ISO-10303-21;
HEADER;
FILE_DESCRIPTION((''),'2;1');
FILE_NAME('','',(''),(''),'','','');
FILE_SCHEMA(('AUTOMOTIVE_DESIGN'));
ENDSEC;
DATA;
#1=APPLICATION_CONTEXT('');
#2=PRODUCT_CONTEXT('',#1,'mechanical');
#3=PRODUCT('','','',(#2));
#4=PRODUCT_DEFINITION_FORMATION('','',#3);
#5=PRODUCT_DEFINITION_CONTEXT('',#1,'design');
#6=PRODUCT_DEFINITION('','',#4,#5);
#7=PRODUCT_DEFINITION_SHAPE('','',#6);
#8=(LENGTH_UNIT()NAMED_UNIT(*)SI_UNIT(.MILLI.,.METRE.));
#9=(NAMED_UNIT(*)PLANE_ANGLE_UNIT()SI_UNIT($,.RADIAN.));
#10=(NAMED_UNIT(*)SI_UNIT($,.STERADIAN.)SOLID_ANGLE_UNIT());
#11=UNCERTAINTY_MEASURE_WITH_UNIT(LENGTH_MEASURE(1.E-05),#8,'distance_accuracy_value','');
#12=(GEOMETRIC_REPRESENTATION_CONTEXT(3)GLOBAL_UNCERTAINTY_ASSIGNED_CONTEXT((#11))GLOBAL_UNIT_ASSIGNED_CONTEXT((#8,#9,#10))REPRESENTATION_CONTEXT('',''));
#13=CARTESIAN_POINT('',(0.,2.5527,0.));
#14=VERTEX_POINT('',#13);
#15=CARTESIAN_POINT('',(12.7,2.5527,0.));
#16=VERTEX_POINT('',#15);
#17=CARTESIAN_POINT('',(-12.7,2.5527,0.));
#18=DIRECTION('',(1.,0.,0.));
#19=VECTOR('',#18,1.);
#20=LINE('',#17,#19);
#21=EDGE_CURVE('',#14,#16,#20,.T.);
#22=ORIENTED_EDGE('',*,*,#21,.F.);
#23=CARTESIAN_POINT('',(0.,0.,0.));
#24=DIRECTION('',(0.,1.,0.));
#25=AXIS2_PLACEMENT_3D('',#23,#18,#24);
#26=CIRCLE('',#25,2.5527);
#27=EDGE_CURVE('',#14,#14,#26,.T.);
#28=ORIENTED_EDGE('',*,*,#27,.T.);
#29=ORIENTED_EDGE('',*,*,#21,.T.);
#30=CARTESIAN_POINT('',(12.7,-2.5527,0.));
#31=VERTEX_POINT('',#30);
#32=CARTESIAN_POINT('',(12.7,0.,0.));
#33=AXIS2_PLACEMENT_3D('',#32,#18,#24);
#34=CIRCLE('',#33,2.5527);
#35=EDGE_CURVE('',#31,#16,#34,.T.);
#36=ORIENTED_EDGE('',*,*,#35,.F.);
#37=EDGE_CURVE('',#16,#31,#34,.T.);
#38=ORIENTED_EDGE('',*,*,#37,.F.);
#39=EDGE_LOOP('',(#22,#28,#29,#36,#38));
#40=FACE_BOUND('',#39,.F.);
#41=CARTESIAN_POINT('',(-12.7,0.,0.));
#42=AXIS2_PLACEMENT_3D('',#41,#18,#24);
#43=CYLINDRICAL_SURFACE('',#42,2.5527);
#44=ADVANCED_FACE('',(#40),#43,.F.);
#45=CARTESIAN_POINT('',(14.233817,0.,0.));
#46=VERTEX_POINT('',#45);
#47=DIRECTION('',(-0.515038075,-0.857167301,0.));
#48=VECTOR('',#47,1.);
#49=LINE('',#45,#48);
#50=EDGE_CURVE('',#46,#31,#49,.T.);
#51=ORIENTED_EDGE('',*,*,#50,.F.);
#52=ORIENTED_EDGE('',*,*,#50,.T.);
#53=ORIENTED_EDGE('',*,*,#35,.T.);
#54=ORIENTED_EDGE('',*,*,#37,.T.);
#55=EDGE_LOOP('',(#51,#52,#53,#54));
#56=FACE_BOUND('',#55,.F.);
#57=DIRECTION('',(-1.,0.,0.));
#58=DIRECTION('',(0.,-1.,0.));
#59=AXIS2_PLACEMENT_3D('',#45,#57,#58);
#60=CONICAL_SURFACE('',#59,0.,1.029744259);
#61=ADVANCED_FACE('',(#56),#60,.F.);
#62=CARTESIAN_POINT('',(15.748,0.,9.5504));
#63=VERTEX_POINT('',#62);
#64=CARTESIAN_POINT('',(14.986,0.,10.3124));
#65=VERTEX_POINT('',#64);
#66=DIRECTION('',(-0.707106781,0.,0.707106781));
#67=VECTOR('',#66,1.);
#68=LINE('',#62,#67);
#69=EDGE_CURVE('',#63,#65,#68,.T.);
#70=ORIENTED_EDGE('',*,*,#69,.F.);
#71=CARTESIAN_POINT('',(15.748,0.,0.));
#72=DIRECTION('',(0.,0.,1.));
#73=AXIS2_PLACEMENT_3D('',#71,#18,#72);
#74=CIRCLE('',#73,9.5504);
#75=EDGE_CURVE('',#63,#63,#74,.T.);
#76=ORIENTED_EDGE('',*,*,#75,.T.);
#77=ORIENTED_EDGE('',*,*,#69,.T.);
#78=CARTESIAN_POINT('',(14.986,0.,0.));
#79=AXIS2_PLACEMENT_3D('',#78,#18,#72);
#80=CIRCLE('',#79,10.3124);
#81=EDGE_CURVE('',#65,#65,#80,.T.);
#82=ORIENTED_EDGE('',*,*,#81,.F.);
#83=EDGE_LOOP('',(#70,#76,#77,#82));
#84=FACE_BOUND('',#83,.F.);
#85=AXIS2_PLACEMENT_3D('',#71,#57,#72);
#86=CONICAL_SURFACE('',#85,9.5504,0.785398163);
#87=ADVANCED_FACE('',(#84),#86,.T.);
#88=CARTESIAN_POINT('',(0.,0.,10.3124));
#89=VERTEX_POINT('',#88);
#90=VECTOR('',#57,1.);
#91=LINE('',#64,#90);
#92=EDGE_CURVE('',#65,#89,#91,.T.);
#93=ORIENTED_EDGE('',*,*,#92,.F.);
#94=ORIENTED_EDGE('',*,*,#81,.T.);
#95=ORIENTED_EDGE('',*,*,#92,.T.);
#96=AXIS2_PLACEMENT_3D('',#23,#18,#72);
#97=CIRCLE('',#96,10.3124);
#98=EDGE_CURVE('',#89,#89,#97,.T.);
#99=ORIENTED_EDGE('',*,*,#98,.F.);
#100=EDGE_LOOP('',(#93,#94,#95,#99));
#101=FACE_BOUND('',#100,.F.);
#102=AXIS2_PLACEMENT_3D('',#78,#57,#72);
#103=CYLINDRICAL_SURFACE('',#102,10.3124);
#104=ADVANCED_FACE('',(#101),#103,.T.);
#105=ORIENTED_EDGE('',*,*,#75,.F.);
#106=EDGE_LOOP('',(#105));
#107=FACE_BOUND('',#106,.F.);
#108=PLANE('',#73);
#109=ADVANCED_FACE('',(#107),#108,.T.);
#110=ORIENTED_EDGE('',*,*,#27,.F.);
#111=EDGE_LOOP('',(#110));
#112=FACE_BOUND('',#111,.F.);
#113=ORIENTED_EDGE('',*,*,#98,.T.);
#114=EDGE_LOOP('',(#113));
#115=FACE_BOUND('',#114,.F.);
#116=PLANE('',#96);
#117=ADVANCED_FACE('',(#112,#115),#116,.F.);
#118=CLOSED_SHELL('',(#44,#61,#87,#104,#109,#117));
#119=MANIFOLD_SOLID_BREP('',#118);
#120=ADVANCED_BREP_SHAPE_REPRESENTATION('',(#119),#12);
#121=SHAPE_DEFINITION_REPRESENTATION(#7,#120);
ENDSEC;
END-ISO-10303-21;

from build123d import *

# Parameters (mm, degrees)
F3_D     = 5.1054
F3_DEPTH = 12.7
F3_TIP   = 1.5338169022


with BuildPart() as f1:
    # F0 (on Front) → F1 (revolve)
    with BuildSketch(Plane.XZ):
        Polygon((0, 10.3124), (0, 0), (15.748, 0), (15.748, 9.5504), (14.986, 10.3124), align=None)
    revolve(axis=Axis((9.5057087019, 0, 0), (1, 0, 0)))

    # F3
    with Locations(Plane(origin=(0, 0, 0), x_dir=(0, -1, 0), z_dir=(-1, 0, 0))):
        with Locations((0, 0)):
            Hole(F3_D / 2, depth=F3_DEPTH)
            with Locations((0, 0, -(F3_DEPTH + F3_TIP / 2))):  # 118° drill point
                Cone(0, F3_D / 2, F3_TIP, mode=Mode.SUBTRACT)


solid = f1.part
